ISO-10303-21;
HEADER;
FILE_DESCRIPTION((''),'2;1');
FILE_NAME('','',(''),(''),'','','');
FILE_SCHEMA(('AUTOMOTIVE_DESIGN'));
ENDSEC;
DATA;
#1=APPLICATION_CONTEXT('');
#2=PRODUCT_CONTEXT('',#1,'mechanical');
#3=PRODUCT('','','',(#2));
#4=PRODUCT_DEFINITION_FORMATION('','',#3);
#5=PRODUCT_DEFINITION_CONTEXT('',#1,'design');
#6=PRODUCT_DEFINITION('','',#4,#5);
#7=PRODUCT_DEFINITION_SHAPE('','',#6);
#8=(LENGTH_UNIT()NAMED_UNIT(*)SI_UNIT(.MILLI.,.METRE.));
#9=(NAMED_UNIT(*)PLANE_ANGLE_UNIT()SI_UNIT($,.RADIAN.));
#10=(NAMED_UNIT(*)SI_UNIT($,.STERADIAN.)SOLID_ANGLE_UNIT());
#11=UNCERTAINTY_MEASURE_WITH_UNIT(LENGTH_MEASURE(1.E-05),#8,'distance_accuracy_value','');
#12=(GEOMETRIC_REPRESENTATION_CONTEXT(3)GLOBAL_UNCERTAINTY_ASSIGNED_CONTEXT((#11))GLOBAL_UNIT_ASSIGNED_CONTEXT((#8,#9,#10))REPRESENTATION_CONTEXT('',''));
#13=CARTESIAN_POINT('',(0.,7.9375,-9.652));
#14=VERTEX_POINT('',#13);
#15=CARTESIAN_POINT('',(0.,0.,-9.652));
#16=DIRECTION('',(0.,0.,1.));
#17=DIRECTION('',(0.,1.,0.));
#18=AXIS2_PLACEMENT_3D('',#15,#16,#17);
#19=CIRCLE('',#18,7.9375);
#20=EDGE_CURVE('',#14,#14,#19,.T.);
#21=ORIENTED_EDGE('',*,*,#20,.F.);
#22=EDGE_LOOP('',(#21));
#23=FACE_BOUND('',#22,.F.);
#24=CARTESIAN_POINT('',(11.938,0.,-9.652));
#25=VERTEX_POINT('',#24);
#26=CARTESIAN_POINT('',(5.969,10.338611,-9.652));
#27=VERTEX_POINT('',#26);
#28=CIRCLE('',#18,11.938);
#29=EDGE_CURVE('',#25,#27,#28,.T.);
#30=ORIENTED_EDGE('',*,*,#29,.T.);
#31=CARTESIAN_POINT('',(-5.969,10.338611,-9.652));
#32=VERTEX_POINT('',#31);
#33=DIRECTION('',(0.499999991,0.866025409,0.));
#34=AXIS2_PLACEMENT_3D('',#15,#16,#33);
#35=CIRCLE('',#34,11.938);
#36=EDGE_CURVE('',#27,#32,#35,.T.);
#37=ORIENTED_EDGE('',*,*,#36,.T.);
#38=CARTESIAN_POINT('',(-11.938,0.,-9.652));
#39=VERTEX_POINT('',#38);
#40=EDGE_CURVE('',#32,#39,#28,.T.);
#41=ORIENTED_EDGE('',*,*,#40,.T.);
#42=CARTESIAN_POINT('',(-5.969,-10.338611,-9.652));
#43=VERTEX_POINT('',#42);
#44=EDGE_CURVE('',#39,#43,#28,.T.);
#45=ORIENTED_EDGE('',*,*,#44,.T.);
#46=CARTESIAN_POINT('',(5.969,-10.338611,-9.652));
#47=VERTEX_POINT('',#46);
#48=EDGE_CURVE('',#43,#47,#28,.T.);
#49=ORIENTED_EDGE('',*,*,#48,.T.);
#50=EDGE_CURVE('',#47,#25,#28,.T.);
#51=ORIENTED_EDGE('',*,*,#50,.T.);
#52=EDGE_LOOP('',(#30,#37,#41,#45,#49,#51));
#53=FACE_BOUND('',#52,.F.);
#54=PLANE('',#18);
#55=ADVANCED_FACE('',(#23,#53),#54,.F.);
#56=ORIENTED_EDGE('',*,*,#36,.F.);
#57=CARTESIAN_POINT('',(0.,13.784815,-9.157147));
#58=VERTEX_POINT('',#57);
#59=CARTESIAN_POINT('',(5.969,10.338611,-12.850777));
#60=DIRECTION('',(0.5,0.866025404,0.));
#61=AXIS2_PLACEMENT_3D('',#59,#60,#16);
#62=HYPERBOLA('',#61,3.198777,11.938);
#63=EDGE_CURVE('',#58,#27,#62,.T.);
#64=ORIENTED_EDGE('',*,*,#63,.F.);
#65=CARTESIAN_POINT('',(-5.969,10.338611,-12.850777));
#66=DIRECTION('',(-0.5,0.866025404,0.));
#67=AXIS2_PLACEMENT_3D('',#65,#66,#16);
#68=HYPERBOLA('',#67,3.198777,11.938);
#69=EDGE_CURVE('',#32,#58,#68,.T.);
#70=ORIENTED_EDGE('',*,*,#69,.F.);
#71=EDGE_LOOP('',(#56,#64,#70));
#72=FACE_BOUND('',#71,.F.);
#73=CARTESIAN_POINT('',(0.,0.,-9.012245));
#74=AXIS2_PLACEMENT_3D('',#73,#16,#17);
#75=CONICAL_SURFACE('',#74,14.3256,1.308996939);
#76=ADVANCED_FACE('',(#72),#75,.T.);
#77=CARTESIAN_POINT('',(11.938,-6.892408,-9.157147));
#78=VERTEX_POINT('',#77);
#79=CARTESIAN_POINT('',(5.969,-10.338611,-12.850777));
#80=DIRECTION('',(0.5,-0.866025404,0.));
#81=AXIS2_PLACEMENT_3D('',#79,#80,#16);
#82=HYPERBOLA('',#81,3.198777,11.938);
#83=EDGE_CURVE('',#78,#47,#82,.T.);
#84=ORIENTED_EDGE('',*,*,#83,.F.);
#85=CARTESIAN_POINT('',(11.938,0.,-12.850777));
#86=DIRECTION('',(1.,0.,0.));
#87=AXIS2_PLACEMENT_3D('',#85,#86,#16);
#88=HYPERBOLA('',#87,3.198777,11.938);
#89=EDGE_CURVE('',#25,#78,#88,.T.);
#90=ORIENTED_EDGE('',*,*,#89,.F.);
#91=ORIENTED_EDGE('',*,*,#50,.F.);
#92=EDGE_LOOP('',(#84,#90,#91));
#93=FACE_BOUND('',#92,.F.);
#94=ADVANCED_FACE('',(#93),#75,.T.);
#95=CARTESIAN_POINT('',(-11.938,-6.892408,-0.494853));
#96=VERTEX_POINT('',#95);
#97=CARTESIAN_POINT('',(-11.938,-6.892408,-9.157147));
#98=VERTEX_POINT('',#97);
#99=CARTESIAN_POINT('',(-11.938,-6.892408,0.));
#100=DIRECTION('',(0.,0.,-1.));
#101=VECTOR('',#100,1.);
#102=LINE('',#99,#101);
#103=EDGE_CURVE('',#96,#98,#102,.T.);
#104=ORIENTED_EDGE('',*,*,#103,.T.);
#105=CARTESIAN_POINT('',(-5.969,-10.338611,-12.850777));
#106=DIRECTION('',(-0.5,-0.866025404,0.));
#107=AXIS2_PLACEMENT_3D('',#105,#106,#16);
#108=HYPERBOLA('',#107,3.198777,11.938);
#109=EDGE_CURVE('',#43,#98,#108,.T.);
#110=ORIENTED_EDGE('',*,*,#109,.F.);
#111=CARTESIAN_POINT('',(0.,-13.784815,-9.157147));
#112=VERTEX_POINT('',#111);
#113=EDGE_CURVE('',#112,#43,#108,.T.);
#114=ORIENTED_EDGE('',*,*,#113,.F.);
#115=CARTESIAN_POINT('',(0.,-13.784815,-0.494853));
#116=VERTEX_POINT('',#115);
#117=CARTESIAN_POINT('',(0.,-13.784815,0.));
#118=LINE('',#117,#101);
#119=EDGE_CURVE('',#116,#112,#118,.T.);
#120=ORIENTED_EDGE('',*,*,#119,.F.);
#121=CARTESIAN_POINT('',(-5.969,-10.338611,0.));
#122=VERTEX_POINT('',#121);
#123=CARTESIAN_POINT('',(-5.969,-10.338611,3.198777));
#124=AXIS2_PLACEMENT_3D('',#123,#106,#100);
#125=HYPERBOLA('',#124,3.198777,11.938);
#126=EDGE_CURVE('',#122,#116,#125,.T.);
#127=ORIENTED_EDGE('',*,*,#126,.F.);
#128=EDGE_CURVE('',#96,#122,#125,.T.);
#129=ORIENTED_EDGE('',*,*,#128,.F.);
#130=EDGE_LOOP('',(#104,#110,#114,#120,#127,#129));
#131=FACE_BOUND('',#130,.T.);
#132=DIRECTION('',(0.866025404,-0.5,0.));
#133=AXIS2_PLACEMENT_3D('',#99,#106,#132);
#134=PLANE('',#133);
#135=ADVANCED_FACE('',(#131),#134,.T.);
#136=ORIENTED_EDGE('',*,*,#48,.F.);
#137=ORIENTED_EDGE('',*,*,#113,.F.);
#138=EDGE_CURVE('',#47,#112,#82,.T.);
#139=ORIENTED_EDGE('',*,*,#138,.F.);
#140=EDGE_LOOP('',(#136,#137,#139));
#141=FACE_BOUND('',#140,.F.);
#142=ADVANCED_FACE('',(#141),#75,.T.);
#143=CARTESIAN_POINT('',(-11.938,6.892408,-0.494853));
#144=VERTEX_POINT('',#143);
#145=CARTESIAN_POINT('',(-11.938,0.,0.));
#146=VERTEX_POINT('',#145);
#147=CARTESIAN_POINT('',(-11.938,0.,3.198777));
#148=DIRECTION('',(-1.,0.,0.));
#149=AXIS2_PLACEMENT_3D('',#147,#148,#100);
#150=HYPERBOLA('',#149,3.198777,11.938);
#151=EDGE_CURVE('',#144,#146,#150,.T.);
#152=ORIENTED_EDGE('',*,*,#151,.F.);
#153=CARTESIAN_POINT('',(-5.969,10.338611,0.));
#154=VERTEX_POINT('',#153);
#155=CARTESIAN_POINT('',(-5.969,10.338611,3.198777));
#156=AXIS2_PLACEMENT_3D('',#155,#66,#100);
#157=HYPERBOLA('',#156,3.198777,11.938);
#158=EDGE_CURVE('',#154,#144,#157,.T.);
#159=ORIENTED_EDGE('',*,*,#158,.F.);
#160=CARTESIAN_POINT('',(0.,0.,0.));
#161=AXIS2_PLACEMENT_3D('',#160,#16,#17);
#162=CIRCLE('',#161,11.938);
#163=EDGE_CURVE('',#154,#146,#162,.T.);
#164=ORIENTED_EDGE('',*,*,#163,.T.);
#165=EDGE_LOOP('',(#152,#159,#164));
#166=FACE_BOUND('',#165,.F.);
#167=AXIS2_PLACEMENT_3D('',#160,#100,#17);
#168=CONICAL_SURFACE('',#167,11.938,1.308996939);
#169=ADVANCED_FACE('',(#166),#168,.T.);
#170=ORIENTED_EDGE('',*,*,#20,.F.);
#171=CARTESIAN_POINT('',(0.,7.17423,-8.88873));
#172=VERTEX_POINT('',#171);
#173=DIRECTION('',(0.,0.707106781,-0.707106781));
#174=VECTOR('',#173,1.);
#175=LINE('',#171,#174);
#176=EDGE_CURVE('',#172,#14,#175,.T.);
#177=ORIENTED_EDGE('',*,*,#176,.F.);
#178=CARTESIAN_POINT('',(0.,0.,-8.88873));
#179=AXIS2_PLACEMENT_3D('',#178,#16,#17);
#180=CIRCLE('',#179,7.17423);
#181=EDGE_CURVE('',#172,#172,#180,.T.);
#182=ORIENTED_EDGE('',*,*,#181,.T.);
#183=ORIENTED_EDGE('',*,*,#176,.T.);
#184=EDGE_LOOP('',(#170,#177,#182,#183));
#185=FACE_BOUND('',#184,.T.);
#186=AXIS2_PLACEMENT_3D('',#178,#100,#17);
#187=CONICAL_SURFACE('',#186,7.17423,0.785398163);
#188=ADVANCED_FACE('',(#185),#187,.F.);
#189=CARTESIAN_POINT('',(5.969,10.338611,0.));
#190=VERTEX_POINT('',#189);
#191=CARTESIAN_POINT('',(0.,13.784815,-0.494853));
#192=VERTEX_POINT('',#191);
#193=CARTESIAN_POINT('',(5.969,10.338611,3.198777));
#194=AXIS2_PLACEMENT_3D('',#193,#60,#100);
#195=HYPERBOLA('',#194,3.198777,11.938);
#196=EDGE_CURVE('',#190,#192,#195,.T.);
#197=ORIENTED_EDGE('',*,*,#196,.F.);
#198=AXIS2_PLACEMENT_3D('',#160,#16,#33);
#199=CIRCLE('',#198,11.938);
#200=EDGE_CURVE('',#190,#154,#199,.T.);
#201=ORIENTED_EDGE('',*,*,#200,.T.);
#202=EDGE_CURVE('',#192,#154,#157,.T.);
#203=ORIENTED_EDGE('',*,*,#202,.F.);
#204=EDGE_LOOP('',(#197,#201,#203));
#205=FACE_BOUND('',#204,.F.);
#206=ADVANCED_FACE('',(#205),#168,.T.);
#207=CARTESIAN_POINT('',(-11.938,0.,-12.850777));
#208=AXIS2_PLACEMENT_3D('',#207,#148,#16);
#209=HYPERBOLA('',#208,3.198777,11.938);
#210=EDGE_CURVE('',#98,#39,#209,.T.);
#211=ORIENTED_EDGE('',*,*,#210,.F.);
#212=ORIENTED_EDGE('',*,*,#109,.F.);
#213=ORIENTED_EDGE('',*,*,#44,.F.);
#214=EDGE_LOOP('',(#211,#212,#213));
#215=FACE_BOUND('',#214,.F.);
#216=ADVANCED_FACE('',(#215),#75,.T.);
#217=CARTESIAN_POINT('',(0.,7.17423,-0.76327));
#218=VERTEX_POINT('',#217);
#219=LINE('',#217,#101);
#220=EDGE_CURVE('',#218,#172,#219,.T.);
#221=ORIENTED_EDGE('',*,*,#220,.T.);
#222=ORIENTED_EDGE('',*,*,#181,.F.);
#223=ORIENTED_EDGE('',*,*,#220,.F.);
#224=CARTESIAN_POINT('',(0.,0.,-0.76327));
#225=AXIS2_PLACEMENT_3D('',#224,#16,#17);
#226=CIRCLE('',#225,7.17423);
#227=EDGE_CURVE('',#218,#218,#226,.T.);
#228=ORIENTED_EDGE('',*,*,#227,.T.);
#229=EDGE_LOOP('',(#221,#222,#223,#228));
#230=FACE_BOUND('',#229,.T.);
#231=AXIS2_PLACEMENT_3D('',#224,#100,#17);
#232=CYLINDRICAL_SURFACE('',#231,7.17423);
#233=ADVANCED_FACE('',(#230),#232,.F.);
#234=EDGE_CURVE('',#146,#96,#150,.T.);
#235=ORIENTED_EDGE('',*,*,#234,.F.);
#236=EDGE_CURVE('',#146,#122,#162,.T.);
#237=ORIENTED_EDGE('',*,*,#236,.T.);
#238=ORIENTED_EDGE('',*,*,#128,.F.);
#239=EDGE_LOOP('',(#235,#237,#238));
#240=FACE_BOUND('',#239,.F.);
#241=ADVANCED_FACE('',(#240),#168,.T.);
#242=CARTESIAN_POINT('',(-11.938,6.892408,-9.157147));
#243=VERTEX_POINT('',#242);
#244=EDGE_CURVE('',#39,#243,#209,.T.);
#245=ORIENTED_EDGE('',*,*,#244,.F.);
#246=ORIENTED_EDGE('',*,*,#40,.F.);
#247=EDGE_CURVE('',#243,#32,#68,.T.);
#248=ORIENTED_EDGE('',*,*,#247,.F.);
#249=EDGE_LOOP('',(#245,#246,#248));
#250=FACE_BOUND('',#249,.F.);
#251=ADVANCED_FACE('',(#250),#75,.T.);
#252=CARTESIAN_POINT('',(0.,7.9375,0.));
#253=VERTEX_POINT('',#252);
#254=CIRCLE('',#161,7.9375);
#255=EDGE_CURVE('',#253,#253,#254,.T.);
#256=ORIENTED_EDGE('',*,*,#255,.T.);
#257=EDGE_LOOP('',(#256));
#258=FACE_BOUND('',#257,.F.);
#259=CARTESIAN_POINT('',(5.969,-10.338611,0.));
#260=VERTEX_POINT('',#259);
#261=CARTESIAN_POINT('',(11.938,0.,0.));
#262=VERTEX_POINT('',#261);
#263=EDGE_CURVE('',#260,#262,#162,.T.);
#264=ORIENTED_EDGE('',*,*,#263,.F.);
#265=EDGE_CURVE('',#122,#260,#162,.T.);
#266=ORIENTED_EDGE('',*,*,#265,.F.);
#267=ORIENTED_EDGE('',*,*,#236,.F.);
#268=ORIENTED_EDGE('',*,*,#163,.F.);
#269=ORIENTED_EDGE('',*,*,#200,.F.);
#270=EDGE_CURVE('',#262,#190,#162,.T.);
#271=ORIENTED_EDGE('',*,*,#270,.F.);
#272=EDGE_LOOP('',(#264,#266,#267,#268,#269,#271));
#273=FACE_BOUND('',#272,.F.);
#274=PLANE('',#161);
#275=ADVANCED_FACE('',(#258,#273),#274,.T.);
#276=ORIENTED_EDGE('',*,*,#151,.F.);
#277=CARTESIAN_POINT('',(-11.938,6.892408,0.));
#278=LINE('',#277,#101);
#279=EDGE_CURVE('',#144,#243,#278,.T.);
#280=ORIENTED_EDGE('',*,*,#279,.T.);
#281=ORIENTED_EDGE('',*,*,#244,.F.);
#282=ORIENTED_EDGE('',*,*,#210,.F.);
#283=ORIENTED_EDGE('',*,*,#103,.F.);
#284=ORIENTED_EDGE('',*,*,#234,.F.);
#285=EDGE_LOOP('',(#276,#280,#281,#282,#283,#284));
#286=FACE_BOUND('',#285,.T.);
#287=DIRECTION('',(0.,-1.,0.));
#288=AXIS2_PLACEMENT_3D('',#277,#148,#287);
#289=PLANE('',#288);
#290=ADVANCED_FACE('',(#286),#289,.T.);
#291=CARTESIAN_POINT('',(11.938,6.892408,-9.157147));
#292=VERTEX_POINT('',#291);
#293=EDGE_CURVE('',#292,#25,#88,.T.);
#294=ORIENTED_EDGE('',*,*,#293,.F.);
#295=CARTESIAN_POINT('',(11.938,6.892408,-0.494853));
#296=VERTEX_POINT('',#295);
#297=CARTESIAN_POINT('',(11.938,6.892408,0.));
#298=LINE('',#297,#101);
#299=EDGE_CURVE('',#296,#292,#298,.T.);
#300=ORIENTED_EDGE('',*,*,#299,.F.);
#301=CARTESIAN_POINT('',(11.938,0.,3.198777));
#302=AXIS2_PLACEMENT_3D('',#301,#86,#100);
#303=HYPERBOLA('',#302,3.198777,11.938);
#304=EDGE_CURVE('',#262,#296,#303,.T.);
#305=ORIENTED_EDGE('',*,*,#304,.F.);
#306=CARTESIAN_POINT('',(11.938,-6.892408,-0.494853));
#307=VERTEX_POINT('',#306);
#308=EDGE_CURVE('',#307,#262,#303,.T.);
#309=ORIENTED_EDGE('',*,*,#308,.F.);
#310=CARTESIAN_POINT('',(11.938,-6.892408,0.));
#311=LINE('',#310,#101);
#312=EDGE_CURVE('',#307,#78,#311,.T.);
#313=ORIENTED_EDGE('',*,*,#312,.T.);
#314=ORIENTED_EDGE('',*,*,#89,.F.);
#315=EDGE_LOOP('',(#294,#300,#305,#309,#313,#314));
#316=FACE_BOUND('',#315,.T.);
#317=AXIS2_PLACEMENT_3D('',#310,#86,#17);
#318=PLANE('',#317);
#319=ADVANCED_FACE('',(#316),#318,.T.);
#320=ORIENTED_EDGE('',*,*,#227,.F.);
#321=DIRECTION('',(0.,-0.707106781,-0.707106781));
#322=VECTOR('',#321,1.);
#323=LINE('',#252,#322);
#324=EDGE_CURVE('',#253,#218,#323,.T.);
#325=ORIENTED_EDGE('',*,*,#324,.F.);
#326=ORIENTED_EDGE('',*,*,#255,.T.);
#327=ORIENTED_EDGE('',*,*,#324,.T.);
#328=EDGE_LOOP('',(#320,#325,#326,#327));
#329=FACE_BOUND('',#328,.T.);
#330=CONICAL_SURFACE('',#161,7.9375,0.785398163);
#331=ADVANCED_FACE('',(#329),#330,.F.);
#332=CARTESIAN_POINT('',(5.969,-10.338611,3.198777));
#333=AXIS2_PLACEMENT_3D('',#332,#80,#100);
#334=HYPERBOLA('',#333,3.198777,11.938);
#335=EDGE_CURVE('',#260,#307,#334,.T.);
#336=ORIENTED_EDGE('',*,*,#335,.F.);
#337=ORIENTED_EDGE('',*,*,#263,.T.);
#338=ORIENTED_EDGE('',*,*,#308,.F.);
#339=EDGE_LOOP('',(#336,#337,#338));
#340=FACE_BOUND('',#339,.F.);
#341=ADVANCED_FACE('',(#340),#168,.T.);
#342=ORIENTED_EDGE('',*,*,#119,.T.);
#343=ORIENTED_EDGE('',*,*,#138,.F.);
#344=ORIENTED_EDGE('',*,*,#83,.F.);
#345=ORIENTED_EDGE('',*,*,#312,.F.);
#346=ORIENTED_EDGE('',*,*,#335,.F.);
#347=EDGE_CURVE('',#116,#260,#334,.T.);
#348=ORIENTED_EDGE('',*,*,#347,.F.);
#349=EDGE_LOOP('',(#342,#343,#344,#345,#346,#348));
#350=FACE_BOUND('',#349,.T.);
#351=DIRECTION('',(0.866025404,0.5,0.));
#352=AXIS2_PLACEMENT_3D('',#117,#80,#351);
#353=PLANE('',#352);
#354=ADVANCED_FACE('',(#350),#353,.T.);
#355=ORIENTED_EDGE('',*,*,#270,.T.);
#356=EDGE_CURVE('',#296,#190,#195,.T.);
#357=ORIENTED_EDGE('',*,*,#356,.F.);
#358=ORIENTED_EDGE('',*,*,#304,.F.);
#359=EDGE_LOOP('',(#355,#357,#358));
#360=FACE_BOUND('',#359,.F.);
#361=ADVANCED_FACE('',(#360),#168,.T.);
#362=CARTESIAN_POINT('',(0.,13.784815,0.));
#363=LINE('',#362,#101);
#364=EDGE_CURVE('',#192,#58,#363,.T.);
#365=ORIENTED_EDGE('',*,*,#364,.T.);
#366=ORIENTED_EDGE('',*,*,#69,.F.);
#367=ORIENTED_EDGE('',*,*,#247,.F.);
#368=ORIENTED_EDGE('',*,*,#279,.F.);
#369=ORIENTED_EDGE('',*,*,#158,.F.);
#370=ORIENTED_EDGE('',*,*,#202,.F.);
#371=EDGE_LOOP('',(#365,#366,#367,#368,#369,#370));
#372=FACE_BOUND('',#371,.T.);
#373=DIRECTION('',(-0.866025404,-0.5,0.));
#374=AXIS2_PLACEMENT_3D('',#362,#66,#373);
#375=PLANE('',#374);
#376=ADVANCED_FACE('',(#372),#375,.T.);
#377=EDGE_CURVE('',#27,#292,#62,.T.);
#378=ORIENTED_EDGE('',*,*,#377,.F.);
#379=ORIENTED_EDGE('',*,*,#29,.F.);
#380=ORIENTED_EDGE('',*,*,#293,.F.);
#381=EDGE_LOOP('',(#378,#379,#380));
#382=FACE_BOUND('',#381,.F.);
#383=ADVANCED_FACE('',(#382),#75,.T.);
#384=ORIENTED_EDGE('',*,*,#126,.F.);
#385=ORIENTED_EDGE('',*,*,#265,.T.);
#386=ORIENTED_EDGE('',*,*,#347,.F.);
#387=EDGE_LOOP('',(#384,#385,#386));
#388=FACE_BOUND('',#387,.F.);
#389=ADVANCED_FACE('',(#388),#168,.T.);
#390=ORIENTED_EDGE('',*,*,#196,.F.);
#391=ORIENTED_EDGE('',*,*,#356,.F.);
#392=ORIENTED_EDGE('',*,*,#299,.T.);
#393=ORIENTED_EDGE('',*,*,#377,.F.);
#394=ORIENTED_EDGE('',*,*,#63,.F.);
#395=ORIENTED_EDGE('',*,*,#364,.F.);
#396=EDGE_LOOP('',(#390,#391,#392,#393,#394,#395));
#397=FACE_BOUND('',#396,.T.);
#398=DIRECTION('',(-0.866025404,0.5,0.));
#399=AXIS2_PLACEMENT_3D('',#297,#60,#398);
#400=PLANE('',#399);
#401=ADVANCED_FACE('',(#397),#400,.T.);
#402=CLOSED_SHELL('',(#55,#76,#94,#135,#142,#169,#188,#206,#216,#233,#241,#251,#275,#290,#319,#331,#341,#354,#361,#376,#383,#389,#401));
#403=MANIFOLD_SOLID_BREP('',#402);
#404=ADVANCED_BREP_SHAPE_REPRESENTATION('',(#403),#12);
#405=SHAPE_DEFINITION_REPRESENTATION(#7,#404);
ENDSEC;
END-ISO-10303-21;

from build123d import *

# Parameters (mm, degrees)
SKETCH2_W          = 47.752
SKETCH2_H          = 47.752
CUT_EXTRUDE1_DEPTH = 9.652


with BuildPart() as part:
    # Sketch1 → Revolve1 (revolve)
    with BuildSketch(Plane(origin=(0, 0, 0), x_dir=(0, 0, -1), z_dir=(1, 0, 0))):
        Polygon((0, 0), (0, 11.938), (0.639755492, 14.3256), (9.012244508, 14.3256), (9.652, 11.938), (9.652, 0), align=None)
    revolve(axis=Axis((0, 0, -9.652), (0, 0, 1)))

    # Sketch2 → Cut-Extrude1 (cut)
    with BuildSketch(Plane.XY):
        Rectangle(SKETCH2_W, SKETCH2_H)
        Polygon((-11.938, -6.892407514), (0, -13.784815027), (11.938, -6.892407514), (11.938, 6.892407514), (0, 13.784815027), (-11.938, 6.892407514), align=None, mode=Mode.SUBTRACT)
    extrude(amount=-CUT_EXTRUDE1_DEPTH, mode=Mode.SUBTRACT)

    # Sketch3 → Cut-Revolve1 (revolve, cut)
    with BuildSketch(Plane(origin=(0, 0, 0), x_dir=(0, 0, -1), z_dir=(1, 0, 0))):
        Polygon((0, 0), (0, 7.9375), (0.76327, 7.17423), (8.88873, 7.17423), (9.652, 7.9375), (9.652, 0), align=None)
    revolve(axis=Axis((0, 0, -9.652), (0, 0, 1)), mode=Mode.SUBTRACT)


solid = part.part
